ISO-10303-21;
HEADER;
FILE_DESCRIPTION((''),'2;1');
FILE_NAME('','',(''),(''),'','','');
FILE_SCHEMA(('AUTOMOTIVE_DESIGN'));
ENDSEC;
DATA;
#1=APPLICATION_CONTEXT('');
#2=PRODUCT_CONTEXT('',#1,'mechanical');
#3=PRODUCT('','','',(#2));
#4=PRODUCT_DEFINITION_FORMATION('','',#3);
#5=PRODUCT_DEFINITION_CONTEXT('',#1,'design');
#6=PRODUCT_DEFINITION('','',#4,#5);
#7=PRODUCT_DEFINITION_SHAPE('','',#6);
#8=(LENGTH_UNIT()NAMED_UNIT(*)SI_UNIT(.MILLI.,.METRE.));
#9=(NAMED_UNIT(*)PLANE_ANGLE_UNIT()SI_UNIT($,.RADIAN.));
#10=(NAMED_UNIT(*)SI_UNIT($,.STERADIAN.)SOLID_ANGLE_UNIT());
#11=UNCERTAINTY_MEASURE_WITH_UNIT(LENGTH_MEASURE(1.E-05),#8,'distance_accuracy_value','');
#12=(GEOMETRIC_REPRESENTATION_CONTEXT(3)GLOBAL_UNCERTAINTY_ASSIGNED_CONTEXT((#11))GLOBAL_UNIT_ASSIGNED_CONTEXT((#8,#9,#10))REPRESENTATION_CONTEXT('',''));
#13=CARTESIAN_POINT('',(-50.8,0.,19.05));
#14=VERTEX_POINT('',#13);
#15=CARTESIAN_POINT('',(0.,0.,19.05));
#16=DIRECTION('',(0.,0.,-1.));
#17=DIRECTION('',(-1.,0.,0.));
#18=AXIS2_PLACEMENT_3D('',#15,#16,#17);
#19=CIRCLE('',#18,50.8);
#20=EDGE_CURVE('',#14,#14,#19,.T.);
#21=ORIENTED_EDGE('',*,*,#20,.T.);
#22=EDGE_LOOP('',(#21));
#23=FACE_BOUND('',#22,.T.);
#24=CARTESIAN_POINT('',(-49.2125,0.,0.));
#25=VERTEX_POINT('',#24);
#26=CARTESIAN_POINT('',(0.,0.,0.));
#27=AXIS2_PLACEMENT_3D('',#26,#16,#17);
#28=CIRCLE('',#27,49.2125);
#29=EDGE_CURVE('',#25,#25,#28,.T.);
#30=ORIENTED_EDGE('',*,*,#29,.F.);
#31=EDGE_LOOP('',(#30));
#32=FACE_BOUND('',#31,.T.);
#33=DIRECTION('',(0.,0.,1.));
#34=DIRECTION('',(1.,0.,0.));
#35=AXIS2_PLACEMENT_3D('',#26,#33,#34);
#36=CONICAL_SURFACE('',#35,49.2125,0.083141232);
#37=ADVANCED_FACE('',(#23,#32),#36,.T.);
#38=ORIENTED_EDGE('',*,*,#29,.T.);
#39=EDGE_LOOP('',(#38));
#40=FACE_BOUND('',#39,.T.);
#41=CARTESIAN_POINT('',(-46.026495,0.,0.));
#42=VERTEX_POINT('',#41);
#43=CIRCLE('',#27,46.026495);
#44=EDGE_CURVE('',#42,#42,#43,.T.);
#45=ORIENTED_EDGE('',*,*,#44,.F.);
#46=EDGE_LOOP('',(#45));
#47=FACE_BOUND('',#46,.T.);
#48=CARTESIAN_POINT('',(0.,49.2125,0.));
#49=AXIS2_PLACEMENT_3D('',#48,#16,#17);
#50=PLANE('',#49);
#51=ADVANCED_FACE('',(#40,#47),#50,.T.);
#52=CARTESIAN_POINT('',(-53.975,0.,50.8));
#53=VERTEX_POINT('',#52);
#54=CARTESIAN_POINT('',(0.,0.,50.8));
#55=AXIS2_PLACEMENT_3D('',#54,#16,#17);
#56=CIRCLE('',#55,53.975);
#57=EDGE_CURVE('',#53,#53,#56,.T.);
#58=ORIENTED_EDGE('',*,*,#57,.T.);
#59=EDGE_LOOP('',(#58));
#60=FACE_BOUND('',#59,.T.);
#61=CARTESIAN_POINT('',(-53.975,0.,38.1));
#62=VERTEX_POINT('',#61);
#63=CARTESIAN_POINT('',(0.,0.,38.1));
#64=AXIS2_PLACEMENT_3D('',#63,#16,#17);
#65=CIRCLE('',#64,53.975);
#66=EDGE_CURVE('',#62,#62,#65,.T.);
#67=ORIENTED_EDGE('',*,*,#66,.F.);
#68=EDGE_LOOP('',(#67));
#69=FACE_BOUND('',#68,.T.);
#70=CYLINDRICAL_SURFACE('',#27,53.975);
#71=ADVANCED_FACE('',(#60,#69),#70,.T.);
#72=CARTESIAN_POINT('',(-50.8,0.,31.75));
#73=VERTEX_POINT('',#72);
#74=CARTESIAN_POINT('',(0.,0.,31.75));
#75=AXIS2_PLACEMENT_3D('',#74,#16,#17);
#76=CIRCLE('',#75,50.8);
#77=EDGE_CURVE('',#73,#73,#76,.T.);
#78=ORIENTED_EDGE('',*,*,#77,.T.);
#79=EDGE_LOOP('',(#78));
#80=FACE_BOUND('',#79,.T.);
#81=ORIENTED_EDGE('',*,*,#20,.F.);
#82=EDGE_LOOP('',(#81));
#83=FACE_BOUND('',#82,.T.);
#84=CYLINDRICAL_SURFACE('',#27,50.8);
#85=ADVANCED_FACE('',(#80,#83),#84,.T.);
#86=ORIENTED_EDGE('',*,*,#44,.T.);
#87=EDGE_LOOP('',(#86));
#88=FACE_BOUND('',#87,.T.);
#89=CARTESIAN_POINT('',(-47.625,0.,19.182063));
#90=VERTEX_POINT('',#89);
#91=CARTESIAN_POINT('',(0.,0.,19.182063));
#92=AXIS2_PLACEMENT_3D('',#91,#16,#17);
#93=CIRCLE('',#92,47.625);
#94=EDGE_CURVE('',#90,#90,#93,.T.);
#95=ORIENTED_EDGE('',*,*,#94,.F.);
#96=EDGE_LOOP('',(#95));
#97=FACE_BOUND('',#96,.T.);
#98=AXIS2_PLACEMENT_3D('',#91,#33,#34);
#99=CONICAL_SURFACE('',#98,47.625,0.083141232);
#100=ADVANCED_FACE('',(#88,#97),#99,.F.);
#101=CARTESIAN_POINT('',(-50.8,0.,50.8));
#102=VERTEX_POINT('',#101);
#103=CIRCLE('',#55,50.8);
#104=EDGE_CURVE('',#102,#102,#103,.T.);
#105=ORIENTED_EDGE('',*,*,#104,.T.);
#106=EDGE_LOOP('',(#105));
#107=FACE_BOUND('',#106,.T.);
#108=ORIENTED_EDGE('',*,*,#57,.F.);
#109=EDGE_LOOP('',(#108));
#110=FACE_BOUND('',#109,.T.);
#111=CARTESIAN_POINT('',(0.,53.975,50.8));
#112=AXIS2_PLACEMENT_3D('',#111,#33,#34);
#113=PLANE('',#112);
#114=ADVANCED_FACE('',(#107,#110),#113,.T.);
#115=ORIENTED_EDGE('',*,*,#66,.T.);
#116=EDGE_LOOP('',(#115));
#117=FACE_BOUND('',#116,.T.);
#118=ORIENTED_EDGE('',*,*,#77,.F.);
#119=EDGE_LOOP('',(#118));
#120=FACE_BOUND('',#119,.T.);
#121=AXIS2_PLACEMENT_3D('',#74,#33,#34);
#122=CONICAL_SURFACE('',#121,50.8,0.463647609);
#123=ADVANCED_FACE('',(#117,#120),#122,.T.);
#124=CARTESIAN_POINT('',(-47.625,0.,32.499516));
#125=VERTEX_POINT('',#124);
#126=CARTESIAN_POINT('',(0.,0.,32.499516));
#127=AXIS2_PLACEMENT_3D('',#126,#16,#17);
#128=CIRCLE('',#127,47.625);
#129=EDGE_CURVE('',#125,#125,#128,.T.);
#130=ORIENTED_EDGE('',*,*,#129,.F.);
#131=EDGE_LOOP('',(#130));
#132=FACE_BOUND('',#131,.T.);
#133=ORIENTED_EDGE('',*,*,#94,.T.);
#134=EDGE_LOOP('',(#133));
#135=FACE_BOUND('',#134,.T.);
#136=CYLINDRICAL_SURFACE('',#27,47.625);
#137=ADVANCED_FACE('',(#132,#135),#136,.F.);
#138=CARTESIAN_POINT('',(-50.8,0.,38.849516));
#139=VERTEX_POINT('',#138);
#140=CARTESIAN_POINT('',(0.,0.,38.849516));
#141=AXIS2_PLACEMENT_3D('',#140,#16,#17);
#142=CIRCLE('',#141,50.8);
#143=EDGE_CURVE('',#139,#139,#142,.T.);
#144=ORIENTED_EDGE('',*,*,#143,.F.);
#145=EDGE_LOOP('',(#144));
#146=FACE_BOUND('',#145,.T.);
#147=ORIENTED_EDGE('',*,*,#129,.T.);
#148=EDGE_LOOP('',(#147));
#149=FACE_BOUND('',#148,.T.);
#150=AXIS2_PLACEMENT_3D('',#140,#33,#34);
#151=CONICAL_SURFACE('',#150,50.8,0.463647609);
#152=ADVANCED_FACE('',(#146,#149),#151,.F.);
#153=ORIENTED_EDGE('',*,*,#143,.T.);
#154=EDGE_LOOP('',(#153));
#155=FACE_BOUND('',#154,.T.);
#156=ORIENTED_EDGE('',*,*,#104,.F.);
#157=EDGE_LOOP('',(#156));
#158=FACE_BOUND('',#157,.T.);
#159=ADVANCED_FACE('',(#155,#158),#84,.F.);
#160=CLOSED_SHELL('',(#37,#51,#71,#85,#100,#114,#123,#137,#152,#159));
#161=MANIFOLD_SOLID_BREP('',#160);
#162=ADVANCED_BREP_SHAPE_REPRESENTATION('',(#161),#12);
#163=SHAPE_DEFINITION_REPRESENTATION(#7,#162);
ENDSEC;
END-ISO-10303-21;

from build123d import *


with BuildPart() as part:
    # Sketch1 → Revolve1 (revolve)
    with BuildSketch(Plane(origin=(0, 0, 0), x_dir=(0, 0, -1), z_dir=(1, 0, 0))):
        Polygon((-38.849515829, 50.8), (-32.499515829, 47.625), (-19.182062788, 47.625), (0, 46.026494768), (0, 49.2125), (-19.05, 50.8), (-31.75, 50.8), (-38.1, 53.975), (-50.8, 53.975), (-50.8, 50.8), align=None)
    revolve(axis=Axis((0, 0, 0), (0, 0, 1)))


solid = part.part
